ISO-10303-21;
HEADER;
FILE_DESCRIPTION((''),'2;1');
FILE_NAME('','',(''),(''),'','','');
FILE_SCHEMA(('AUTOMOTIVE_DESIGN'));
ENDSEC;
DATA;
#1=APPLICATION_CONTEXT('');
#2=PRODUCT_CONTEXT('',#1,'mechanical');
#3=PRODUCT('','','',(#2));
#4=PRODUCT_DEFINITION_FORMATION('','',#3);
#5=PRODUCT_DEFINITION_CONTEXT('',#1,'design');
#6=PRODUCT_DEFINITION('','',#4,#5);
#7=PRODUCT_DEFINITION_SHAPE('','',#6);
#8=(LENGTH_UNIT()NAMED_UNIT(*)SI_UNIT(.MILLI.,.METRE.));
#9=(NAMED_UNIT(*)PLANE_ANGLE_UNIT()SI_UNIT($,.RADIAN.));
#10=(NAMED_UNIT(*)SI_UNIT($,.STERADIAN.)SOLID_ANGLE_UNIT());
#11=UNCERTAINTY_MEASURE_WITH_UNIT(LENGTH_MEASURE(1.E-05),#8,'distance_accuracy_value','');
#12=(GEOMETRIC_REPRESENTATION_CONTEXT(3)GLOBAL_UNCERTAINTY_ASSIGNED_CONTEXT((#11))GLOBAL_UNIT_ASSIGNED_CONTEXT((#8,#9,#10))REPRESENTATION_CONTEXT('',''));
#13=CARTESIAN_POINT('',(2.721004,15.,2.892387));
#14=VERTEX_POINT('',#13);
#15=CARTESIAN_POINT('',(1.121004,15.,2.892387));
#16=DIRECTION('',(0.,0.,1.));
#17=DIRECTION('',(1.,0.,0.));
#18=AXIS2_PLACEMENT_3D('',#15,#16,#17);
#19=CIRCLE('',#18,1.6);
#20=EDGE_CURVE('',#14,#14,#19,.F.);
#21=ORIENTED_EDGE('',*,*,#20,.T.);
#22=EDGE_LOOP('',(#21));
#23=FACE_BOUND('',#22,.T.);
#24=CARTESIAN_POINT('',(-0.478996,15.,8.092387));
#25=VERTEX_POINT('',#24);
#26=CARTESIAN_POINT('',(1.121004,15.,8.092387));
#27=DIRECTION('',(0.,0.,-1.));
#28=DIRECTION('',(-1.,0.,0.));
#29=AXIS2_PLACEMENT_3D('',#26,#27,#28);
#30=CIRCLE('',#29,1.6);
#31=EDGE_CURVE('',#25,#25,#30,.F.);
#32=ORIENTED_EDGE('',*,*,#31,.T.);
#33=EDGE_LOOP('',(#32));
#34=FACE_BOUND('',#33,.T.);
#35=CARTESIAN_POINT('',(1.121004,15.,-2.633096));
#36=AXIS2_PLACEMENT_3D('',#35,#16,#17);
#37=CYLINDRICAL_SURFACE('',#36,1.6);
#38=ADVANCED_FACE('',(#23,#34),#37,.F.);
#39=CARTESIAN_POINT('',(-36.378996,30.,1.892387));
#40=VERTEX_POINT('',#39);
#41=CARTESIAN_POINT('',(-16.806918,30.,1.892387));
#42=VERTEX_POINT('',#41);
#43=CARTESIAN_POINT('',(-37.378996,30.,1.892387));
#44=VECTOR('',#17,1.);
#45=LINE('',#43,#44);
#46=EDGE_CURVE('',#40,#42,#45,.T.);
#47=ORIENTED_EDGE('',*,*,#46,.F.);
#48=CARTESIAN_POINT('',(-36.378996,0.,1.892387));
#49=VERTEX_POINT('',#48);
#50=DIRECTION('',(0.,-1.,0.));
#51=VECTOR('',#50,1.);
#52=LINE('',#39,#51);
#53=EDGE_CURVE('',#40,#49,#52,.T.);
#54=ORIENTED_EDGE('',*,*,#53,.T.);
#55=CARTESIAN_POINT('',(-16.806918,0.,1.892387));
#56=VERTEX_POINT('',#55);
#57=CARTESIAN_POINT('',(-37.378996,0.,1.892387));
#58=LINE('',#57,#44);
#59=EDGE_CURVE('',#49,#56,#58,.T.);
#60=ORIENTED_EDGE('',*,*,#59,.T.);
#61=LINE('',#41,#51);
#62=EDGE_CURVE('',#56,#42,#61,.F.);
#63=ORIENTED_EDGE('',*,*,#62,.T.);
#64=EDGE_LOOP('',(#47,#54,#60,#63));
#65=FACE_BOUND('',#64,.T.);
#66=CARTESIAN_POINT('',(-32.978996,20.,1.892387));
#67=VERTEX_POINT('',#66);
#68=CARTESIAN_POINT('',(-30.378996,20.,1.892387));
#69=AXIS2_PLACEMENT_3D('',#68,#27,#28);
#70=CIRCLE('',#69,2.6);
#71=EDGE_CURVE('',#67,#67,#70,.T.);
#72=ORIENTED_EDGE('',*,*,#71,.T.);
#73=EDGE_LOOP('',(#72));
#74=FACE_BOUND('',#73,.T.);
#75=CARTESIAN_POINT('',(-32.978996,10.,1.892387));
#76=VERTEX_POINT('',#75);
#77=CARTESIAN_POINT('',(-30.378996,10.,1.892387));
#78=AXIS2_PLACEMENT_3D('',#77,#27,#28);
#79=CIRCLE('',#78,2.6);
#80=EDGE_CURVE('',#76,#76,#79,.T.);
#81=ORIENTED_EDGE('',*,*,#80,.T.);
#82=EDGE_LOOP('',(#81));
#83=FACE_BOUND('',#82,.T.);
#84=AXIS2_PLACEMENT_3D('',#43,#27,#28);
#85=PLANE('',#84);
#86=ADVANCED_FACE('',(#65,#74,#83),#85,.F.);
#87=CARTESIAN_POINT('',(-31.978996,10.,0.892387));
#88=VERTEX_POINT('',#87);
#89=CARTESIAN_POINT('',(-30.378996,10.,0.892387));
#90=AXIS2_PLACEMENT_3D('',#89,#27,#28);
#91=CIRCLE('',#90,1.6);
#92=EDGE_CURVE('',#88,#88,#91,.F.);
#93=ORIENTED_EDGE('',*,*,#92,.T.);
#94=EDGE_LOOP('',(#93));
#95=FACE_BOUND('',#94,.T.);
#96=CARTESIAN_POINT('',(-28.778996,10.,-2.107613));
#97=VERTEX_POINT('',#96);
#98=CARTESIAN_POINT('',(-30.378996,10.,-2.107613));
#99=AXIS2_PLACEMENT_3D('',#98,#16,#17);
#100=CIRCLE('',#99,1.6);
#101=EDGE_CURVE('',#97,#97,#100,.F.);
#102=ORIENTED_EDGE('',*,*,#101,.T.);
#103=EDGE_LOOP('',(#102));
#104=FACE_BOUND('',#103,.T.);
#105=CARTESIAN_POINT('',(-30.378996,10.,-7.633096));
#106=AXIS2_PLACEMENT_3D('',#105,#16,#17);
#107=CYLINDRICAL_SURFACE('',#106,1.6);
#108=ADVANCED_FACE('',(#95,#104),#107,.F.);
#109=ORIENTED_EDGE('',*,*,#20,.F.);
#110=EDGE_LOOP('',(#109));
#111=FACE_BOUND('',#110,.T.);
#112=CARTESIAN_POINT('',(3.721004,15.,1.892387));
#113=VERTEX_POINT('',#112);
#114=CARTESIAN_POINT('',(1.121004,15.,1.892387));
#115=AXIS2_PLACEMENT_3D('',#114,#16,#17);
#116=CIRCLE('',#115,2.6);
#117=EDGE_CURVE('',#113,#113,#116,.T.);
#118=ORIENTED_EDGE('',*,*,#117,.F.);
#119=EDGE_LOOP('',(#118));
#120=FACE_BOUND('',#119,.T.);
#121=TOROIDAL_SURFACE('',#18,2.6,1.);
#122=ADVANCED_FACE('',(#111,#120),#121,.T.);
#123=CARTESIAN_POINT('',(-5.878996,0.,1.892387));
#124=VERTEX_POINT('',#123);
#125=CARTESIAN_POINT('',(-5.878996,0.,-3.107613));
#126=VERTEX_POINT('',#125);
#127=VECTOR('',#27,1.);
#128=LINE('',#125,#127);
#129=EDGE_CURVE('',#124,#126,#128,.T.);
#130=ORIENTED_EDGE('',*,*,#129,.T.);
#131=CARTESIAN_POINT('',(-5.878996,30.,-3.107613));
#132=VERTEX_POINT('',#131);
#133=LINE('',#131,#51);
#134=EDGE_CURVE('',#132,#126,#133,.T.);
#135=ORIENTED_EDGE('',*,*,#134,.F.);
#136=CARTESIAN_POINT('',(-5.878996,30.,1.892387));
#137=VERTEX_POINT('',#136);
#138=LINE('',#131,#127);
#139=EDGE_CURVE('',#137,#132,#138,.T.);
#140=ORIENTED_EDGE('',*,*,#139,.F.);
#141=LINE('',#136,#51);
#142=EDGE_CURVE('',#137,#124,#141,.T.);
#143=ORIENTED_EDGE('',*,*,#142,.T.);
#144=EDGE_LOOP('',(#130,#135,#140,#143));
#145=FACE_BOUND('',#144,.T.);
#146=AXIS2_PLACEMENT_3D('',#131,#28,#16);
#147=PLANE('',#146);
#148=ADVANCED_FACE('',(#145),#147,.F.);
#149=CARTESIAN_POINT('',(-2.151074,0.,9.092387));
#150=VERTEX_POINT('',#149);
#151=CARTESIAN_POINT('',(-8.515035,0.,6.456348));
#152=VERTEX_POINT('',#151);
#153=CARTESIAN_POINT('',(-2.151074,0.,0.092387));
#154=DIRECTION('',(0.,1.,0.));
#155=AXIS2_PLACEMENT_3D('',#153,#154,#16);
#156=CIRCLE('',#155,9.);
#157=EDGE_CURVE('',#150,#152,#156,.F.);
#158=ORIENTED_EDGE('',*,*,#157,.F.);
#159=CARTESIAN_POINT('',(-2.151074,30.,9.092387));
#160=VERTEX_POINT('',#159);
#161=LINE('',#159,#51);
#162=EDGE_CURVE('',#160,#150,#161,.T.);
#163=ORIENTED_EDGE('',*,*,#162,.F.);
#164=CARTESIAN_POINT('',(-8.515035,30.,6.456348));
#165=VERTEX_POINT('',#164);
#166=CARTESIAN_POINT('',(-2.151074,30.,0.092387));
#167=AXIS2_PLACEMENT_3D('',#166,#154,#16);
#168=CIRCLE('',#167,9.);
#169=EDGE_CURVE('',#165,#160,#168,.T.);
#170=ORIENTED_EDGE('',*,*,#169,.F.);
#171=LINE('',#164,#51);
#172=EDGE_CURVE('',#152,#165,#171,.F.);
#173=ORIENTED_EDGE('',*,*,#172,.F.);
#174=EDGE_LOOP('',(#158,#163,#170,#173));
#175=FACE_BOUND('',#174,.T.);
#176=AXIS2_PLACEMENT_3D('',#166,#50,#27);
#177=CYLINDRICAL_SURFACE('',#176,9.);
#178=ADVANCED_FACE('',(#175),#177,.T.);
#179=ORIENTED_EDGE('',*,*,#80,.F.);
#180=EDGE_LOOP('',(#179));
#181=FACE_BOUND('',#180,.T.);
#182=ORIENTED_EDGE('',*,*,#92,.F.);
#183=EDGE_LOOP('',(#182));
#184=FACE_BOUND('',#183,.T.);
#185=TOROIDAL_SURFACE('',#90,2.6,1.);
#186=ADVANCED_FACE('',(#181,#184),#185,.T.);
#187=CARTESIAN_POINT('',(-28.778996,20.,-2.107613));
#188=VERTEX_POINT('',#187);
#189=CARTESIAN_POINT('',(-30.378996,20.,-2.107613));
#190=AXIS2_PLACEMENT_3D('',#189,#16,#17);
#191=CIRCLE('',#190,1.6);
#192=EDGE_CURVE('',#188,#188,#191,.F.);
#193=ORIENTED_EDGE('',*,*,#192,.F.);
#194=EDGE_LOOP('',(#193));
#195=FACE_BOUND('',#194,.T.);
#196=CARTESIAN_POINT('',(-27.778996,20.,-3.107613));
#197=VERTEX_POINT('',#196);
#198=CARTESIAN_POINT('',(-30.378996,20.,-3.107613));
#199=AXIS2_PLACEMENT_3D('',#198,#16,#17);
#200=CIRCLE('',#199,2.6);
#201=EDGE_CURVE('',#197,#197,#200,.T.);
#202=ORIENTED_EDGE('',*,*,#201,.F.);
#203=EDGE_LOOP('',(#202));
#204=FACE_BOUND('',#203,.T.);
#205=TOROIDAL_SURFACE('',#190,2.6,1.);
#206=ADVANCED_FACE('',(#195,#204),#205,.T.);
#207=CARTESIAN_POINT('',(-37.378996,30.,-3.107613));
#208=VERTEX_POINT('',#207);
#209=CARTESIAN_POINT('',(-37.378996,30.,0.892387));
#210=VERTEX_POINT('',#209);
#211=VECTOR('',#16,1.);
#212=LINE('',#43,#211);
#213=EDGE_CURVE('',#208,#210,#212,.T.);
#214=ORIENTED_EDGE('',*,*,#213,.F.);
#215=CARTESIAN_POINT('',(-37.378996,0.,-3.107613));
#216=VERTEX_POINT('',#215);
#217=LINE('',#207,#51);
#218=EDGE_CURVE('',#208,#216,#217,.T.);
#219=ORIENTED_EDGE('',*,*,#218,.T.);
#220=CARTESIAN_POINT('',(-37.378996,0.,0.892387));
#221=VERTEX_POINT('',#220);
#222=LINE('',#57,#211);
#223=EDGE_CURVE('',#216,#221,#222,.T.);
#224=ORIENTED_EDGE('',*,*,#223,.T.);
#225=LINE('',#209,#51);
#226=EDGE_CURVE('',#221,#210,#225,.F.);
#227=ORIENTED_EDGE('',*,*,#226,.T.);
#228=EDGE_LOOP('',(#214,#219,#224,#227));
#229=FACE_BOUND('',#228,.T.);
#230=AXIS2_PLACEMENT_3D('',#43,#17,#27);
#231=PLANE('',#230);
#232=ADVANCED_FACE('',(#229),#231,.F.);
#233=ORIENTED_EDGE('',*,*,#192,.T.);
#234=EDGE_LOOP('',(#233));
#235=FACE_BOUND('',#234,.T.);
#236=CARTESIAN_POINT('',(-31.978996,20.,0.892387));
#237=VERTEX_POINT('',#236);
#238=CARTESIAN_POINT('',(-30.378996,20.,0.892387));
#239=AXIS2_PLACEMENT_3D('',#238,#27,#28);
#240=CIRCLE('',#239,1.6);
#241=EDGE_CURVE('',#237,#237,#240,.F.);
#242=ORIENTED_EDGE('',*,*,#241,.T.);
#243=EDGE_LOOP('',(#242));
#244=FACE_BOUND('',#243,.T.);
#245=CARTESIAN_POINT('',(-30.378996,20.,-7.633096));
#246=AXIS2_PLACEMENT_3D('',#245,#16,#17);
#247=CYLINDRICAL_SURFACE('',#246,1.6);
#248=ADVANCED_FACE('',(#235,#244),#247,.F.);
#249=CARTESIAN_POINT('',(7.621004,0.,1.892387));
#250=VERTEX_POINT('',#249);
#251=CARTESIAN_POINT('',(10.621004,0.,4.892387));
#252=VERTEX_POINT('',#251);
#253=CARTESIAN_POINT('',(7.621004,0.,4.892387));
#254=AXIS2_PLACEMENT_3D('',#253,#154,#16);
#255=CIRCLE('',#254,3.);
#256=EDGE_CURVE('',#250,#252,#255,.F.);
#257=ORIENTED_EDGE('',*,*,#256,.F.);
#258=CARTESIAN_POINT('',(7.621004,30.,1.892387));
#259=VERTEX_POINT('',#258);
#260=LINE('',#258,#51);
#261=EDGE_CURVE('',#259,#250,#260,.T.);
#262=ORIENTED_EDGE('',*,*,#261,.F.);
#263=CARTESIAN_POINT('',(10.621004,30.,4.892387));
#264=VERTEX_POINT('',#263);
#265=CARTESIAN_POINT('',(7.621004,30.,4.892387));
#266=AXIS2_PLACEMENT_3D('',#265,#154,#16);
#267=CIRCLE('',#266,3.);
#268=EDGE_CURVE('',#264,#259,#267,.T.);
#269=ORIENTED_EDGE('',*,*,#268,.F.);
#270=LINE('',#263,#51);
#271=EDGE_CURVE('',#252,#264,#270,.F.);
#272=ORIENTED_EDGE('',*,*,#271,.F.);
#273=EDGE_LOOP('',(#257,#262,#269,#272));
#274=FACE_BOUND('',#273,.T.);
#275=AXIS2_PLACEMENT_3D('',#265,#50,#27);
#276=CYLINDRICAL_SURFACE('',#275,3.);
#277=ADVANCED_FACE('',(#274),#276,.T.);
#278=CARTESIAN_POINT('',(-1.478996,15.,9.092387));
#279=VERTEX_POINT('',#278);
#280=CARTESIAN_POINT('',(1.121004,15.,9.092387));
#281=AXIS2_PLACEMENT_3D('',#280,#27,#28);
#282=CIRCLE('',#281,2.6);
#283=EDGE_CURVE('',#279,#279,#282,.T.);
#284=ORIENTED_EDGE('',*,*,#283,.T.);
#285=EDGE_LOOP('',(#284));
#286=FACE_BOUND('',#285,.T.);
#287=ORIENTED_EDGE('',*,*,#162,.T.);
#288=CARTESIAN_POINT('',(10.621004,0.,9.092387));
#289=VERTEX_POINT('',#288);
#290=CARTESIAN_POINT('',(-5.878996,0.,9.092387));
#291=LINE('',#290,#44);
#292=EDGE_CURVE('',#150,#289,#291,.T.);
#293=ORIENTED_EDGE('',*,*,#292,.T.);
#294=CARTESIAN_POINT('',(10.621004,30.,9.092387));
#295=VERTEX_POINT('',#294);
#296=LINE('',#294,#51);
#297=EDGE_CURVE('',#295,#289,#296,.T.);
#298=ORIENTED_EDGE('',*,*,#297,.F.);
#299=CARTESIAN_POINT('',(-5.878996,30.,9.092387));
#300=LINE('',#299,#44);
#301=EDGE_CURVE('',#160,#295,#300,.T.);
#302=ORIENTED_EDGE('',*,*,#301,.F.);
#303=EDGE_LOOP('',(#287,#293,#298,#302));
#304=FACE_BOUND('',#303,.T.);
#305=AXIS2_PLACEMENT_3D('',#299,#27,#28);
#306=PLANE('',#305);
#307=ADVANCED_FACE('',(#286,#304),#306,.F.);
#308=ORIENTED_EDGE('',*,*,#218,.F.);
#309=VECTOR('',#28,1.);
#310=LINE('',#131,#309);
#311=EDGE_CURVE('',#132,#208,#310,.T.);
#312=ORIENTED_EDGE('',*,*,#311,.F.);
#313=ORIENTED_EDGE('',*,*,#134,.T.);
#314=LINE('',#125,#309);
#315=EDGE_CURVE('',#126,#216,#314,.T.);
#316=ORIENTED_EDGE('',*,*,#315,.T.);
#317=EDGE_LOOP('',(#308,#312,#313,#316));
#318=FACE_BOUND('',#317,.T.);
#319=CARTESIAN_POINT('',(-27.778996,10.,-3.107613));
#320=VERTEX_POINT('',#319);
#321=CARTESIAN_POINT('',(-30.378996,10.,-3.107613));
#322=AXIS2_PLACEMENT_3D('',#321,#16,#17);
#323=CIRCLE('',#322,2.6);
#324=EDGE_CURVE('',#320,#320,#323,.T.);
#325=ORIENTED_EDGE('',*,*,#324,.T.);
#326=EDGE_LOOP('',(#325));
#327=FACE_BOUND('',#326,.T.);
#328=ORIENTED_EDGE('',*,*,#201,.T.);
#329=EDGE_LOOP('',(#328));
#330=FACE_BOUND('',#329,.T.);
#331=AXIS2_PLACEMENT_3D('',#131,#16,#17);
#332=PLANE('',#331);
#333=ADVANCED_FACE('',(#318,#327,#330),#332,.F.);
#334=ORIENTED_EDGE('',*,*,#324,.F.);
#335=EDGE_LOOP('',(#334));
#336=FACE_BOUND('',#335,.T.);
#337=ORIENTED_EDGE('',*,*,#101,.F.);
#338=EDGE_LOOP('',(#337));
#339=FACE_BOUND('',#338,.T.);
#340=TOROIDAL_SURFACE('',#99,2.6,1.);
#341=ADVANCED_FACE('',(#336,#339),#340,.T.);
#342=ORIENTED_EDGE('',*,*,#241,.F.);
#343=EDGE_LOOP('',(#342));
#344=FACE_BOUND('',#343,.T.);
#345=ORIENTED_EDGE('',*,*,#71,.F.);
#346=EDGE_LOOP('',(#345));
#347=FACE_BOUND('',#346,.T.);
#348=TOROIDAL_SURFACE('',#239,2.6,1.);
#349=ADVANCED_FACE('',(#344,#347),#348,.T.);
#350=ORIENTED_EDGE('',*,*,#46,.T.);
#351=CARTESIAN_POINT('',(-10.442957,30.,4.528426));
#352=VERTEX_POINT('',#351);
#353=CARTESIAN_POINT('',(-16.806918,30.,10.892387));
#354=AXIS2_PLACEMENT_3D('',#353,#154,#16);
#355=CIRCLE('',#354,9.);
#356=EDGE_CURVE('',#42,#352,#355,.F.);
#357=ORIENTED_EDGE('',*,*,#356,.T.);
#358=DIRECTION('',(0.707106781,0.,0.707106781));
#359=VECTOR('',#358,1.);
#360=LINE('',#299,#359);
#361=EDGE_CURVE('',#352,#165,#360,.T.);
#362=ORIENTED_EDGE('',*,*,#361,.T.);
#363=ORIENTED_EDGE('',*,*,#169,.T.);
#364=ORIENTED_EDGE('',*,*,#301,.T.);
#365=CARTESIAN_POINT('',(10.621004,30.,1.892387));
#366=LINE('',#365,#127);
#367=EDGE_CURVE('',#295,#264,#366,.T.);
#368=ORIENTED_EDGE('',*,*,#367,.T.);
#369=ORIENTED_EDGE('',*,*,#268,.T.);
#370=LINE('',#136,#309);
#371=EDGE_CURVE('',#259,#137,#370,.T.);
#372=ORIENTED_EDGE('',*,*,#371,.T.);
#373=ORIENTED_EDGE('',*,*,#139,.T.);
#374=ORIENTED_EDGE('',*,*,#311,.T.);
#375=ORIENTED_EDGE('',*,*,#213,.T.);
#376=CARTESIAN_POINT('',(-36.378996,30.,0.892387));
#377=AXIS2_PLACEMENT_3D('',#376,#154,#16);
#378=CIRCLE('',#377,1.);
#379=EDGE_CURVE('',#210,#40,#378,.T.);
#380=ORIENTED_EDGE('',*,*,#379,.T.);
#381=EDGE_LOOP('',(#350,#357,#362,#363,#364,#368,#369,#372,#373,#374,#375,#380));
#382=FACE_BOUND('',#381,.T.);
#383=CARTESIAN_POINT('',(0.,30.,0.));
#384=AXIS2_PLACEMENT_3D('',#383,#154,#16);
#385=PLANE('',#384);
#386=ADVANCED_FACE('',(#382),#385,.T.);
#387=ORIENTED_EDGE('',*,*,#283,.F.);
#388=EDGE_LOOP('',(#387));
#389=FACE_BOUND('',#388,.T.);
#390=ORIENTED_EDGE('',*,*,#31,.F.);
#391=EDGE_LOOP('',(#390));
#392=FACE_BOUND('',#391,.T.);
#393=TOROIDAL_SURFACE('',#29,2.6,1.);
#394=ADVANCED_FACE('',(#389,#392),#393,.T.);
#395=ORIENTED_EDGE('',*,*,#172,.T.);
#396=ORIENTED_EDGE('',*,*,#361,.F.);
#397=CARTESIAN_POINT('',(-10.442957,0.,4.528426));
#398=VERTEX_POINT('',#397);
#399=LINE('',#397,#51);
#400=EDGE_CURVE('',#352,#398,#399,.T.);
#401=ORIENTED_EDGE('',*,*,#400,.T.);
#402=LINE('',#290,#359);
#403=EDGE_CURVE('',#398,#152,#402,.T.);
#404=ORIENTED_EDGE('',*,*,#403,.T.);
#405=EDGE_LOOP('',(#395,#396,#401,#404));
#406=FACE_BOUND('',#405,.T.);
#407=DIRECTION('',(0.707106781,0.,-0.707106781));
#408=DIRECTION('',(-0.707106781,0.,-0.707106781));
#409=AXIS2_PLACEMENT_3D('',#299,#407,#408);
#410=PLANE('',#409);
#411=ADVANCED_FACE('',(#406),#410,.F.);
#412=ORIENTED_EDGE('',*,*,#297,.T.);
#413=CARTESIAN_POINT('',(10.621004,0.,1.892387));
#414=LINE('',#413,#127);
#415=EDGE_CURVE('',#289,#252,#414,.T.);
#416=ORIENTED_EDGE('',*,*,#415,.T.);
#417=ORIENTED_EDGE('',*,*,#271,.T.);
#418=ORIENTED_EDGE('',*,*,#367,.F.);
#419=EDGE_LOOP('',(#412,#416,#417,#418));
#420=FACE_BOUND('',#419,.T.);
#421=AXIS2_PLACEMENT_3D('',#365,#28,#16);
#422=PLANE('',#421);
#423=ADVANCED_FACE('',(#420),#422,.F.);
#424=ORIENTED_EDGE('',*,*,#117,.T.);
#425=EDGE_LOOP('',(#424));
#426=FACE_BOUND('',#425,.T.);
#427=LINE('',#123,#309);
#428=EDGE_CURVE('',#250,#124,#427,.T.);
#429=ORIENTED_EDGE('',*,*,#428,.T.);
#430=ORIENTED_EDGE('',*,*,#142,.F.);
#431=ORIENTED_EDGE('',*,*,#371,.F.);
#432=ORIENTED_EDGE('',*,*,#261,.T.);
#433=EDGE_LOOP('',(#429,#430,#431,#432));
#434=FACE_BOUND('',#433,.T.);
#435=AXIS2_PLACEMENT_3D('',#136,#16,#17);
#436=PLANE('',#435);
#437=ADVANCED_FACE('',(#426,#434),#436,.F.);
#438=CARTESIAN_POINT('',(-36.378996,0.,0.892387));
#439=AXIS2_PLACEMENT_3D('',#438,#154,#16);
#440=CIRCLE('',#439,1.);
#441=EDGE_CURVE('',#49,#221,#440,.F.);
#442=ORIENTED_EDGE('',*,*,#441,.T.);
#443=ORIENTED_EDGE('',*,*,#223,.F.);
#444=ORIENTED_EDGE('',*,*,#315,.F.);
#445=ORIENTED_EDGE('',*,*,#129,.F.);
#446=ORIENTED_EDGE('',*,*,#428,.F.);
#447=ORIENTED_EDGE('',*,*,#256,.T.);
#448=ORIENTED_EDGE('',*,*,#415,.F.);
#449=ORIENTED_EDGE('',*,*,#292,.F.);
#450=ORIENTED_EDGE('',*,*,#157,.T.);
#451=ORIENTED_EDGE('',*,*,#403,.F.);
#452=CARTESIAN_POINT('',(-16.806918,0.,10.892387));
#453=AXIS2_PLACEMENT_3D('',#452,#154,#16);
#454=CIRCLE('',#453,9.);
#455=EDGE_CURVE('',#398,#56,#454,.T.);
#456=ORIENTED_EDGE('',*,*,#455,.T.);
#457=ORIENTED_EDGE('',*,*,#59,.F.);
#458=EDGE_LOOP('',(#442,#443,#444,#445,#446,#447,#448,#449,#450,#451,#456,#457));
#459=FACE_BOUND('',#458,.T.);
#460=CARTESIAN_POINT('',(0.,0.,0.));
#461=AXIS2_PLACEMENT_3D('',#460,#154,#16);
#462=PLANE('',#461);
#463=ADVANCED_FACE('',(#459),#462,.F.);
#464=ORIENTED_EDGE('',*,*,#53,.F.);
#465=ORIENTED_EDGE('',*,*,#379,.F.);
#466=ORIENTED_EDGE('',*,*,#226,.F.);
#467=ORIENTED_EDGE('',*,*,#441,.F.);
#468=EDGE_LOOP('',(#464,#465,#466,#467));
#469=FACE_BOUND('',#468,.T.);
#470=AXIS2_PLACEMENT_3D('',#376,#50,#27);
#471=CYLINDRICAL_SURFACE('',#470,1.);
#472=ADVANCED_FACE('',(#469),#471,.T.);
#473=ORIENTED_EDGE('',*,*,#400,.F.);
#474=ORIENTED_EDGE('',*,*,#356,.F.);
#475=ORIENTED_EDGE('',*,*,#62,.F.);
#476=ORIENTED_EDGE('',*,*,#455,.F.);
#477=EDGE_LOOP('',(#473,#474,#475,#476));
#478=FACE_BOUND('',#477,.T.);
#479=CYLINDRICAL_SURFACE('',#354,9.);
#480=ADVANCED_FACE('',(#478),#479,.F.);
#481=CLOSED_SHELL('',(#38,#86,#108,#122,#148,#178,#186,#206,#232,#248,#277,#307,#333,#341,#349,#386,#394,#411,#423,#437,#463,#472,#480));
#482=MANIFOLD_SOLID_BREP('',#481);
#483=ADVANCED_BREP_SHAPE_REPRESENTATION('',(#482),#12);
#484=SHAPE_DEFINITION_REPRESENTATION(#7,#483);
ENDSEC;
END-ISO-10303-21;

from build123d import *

# Parameters (mm, degrees)
BOSS_EXTRUDE1_DEPTH = 30
SKETCH2_R           = 1.6
CUT_EXTRUDE1_DEPTH  = 7.2
SKETCH3_R           = 1.6
CUT_EXTRUDE2_DEPTH  = 5
FILLET1_R           = 1
FILLET2_R           = 3
FILLET3_R           = 9
FILLET4_R           = 1


with BuildPart() as part:
    # Sketch1 → Boss-Extrude1 (new body)
    with BuildSketch(Plane(origin=(0, 0, 0), x_dir=(1, 0, 0), z_dir=(0, 1, 0))):
        Polygon((-5.878996076, -9.092386916), (-13.078996076, -1.892386916), (-37.378996076, -1.892386916), (-37.378996076, 3.107613084), (-5.878996076, 3.107613084), (-5.878996076, -1.892386916), (10.621003924, -1.892386916), (10.621003924, -9.092386916), align=None)
    extrude(amount=BOSS_EXTRUDE1_DEPTH)

    # Sketch2 → Cut-Extrude1 (cut)
    with BuildSketch(Plane.XY.offset(9.092386916)):
        with Locations((1.121003924, 15)):
            Circle(SKETCH2_R)
    extrude(amount=-CUT_EXTRUDE1_DEPTH, mode=Mode.SUBTRACT)

    # Sketch3 → Cut-Extrude2 (cut)
    with BuildSketch(Plane.XY.offset(1.892386916)):
        with Locations((-30.378996076, 20)):
            Circle(SKETCH3_R)
        with Locations((-30.378996076, 10)):
            Circle(SKETCH3_R)
    extrude(amount=-CUT_EXTRUDE2_DEPTH, mode=Mode.SUBTRACT)

    # Fillet1
    fillet1_edges = [part.edges().sort_by_distance(p)[0] for p in [
        (-0.478996076, 15, 9.092386916),
        (-0.478996076, 15, 1.892386916),
        (-31.978996076, 20, 1.892386916),
        (-31.978996076, 20, -3.107613084),
        (-31.978996076, 10, 1.892386916),
        (-31.978996076, 10, -3.107613084),
    ]]
    fillet(fillet1_edges, radius=FILLET1_R)

    # Fillet2
    fillet2_edges = [part.edges().sort_by_distance(p)[0] for p in [
        (10.621003924, 15, 1.892386916),
    ]]
    fillet(fillet2_edges, radius=FILLET2_R)

    # Fillet3
    fillet3_edges = [part.edges().sort_by_distance(p)[0] for p in [
        (-5.878996076, 15, 9.092386916),
        (-13.078996076, 15, 1.892386916),
    ]]
    fillet(fillet3_edges, radius=FILLET3_R)

    # Fillet4
    fillet4_edges = [part.edges().sort_by_distance(p)[0] for p in [
        (-37.378996076, 15, 1.892386916),
    ]]
    fillet(fillet4_edges, radius=FILLET4_R)


solid = part.part
